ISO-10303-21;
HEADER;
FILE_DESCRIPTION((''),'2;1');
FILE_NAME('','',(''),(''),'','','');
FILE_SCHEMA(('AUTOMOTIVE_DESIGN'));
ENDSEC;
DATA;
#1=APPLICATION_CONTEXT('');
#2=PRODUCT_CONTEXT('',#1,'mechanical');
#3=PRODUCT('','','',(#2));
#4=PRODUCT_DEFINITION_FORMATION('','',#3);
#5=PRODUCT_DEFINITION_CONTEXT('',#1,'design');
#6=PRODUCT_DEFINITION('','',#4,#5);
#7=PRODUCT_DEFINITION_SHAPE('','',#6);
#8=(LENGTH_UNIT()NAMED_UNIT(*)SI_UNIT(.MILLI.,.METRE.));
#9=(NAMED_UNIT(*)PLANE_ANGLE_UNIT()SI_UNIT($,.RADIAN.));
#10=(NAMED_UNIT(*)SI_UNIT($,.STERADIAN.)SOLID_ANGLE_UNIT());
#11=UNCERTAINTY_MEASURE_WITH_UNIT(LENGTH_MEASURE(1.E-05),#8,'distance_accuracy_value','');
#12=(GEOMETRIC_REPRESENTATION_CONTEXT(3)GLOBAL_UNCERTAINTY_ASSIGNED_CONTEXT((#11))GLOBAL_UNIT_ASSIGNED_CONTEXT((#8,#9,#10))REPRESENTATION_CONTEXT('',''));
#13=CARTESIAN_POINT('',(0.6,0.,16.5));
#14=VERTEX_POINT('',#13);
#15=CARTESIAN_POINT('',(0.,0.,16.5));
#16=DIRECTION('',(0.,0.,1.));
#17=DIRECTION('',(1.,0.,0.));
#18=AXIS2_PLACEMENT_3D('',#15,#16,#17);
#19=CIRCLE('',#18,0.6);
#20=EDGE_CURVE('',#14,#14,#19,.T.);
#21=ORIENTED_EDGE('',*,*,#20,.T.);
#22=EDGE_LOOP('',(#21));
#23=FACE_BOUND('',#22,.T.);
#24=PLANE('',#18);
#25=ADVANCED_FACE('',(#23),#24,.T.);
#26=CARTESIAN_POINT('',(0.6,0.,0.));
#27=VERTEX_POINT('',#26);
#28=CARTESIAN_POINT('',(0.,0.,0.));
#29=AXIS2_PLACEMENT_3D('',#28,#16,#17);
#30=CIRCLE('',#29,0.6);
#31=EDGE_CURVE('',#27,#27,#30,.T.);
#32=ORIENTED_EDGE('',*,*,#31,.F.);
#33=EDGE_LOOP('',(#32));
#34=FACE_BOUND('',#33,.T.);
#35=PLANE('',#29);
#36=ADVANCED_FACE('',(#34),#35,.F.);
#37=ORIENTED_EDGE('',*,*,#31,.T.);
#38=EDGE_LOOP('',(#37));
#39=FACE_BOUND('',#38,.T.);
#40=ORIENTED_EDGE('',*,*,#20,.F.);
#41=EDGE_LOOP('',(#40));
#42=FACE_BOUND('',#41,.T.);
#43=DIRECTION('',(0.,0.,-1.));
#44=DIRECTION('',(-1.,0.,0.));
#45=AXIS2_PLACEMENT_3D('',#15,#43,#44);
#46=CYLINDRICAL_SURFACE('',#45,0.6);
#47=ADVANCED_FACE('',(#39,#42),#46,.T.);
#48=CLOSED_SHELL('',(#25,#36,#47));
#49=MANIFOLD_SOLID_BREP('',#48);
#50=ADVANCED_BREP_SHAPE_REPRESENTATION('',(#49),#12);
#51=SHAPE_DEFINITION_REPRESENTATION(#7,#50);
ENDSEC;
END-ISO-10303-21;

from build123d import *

# Parameters (mm, degrees)
ESQUISSE1_R        = 0.6
BOSS_EXTRU_1_DEPTH = 16.5


with BuildPart() as part:
    # Esquisse1 → Boss.-Extru.1 (new body)
    with BuildSketch(Plane.XY):
        Circle(ESQUISSE1_R)
    extrude(amount=BOSS_EXTRU_1_DEPTH)


solid = part.part
